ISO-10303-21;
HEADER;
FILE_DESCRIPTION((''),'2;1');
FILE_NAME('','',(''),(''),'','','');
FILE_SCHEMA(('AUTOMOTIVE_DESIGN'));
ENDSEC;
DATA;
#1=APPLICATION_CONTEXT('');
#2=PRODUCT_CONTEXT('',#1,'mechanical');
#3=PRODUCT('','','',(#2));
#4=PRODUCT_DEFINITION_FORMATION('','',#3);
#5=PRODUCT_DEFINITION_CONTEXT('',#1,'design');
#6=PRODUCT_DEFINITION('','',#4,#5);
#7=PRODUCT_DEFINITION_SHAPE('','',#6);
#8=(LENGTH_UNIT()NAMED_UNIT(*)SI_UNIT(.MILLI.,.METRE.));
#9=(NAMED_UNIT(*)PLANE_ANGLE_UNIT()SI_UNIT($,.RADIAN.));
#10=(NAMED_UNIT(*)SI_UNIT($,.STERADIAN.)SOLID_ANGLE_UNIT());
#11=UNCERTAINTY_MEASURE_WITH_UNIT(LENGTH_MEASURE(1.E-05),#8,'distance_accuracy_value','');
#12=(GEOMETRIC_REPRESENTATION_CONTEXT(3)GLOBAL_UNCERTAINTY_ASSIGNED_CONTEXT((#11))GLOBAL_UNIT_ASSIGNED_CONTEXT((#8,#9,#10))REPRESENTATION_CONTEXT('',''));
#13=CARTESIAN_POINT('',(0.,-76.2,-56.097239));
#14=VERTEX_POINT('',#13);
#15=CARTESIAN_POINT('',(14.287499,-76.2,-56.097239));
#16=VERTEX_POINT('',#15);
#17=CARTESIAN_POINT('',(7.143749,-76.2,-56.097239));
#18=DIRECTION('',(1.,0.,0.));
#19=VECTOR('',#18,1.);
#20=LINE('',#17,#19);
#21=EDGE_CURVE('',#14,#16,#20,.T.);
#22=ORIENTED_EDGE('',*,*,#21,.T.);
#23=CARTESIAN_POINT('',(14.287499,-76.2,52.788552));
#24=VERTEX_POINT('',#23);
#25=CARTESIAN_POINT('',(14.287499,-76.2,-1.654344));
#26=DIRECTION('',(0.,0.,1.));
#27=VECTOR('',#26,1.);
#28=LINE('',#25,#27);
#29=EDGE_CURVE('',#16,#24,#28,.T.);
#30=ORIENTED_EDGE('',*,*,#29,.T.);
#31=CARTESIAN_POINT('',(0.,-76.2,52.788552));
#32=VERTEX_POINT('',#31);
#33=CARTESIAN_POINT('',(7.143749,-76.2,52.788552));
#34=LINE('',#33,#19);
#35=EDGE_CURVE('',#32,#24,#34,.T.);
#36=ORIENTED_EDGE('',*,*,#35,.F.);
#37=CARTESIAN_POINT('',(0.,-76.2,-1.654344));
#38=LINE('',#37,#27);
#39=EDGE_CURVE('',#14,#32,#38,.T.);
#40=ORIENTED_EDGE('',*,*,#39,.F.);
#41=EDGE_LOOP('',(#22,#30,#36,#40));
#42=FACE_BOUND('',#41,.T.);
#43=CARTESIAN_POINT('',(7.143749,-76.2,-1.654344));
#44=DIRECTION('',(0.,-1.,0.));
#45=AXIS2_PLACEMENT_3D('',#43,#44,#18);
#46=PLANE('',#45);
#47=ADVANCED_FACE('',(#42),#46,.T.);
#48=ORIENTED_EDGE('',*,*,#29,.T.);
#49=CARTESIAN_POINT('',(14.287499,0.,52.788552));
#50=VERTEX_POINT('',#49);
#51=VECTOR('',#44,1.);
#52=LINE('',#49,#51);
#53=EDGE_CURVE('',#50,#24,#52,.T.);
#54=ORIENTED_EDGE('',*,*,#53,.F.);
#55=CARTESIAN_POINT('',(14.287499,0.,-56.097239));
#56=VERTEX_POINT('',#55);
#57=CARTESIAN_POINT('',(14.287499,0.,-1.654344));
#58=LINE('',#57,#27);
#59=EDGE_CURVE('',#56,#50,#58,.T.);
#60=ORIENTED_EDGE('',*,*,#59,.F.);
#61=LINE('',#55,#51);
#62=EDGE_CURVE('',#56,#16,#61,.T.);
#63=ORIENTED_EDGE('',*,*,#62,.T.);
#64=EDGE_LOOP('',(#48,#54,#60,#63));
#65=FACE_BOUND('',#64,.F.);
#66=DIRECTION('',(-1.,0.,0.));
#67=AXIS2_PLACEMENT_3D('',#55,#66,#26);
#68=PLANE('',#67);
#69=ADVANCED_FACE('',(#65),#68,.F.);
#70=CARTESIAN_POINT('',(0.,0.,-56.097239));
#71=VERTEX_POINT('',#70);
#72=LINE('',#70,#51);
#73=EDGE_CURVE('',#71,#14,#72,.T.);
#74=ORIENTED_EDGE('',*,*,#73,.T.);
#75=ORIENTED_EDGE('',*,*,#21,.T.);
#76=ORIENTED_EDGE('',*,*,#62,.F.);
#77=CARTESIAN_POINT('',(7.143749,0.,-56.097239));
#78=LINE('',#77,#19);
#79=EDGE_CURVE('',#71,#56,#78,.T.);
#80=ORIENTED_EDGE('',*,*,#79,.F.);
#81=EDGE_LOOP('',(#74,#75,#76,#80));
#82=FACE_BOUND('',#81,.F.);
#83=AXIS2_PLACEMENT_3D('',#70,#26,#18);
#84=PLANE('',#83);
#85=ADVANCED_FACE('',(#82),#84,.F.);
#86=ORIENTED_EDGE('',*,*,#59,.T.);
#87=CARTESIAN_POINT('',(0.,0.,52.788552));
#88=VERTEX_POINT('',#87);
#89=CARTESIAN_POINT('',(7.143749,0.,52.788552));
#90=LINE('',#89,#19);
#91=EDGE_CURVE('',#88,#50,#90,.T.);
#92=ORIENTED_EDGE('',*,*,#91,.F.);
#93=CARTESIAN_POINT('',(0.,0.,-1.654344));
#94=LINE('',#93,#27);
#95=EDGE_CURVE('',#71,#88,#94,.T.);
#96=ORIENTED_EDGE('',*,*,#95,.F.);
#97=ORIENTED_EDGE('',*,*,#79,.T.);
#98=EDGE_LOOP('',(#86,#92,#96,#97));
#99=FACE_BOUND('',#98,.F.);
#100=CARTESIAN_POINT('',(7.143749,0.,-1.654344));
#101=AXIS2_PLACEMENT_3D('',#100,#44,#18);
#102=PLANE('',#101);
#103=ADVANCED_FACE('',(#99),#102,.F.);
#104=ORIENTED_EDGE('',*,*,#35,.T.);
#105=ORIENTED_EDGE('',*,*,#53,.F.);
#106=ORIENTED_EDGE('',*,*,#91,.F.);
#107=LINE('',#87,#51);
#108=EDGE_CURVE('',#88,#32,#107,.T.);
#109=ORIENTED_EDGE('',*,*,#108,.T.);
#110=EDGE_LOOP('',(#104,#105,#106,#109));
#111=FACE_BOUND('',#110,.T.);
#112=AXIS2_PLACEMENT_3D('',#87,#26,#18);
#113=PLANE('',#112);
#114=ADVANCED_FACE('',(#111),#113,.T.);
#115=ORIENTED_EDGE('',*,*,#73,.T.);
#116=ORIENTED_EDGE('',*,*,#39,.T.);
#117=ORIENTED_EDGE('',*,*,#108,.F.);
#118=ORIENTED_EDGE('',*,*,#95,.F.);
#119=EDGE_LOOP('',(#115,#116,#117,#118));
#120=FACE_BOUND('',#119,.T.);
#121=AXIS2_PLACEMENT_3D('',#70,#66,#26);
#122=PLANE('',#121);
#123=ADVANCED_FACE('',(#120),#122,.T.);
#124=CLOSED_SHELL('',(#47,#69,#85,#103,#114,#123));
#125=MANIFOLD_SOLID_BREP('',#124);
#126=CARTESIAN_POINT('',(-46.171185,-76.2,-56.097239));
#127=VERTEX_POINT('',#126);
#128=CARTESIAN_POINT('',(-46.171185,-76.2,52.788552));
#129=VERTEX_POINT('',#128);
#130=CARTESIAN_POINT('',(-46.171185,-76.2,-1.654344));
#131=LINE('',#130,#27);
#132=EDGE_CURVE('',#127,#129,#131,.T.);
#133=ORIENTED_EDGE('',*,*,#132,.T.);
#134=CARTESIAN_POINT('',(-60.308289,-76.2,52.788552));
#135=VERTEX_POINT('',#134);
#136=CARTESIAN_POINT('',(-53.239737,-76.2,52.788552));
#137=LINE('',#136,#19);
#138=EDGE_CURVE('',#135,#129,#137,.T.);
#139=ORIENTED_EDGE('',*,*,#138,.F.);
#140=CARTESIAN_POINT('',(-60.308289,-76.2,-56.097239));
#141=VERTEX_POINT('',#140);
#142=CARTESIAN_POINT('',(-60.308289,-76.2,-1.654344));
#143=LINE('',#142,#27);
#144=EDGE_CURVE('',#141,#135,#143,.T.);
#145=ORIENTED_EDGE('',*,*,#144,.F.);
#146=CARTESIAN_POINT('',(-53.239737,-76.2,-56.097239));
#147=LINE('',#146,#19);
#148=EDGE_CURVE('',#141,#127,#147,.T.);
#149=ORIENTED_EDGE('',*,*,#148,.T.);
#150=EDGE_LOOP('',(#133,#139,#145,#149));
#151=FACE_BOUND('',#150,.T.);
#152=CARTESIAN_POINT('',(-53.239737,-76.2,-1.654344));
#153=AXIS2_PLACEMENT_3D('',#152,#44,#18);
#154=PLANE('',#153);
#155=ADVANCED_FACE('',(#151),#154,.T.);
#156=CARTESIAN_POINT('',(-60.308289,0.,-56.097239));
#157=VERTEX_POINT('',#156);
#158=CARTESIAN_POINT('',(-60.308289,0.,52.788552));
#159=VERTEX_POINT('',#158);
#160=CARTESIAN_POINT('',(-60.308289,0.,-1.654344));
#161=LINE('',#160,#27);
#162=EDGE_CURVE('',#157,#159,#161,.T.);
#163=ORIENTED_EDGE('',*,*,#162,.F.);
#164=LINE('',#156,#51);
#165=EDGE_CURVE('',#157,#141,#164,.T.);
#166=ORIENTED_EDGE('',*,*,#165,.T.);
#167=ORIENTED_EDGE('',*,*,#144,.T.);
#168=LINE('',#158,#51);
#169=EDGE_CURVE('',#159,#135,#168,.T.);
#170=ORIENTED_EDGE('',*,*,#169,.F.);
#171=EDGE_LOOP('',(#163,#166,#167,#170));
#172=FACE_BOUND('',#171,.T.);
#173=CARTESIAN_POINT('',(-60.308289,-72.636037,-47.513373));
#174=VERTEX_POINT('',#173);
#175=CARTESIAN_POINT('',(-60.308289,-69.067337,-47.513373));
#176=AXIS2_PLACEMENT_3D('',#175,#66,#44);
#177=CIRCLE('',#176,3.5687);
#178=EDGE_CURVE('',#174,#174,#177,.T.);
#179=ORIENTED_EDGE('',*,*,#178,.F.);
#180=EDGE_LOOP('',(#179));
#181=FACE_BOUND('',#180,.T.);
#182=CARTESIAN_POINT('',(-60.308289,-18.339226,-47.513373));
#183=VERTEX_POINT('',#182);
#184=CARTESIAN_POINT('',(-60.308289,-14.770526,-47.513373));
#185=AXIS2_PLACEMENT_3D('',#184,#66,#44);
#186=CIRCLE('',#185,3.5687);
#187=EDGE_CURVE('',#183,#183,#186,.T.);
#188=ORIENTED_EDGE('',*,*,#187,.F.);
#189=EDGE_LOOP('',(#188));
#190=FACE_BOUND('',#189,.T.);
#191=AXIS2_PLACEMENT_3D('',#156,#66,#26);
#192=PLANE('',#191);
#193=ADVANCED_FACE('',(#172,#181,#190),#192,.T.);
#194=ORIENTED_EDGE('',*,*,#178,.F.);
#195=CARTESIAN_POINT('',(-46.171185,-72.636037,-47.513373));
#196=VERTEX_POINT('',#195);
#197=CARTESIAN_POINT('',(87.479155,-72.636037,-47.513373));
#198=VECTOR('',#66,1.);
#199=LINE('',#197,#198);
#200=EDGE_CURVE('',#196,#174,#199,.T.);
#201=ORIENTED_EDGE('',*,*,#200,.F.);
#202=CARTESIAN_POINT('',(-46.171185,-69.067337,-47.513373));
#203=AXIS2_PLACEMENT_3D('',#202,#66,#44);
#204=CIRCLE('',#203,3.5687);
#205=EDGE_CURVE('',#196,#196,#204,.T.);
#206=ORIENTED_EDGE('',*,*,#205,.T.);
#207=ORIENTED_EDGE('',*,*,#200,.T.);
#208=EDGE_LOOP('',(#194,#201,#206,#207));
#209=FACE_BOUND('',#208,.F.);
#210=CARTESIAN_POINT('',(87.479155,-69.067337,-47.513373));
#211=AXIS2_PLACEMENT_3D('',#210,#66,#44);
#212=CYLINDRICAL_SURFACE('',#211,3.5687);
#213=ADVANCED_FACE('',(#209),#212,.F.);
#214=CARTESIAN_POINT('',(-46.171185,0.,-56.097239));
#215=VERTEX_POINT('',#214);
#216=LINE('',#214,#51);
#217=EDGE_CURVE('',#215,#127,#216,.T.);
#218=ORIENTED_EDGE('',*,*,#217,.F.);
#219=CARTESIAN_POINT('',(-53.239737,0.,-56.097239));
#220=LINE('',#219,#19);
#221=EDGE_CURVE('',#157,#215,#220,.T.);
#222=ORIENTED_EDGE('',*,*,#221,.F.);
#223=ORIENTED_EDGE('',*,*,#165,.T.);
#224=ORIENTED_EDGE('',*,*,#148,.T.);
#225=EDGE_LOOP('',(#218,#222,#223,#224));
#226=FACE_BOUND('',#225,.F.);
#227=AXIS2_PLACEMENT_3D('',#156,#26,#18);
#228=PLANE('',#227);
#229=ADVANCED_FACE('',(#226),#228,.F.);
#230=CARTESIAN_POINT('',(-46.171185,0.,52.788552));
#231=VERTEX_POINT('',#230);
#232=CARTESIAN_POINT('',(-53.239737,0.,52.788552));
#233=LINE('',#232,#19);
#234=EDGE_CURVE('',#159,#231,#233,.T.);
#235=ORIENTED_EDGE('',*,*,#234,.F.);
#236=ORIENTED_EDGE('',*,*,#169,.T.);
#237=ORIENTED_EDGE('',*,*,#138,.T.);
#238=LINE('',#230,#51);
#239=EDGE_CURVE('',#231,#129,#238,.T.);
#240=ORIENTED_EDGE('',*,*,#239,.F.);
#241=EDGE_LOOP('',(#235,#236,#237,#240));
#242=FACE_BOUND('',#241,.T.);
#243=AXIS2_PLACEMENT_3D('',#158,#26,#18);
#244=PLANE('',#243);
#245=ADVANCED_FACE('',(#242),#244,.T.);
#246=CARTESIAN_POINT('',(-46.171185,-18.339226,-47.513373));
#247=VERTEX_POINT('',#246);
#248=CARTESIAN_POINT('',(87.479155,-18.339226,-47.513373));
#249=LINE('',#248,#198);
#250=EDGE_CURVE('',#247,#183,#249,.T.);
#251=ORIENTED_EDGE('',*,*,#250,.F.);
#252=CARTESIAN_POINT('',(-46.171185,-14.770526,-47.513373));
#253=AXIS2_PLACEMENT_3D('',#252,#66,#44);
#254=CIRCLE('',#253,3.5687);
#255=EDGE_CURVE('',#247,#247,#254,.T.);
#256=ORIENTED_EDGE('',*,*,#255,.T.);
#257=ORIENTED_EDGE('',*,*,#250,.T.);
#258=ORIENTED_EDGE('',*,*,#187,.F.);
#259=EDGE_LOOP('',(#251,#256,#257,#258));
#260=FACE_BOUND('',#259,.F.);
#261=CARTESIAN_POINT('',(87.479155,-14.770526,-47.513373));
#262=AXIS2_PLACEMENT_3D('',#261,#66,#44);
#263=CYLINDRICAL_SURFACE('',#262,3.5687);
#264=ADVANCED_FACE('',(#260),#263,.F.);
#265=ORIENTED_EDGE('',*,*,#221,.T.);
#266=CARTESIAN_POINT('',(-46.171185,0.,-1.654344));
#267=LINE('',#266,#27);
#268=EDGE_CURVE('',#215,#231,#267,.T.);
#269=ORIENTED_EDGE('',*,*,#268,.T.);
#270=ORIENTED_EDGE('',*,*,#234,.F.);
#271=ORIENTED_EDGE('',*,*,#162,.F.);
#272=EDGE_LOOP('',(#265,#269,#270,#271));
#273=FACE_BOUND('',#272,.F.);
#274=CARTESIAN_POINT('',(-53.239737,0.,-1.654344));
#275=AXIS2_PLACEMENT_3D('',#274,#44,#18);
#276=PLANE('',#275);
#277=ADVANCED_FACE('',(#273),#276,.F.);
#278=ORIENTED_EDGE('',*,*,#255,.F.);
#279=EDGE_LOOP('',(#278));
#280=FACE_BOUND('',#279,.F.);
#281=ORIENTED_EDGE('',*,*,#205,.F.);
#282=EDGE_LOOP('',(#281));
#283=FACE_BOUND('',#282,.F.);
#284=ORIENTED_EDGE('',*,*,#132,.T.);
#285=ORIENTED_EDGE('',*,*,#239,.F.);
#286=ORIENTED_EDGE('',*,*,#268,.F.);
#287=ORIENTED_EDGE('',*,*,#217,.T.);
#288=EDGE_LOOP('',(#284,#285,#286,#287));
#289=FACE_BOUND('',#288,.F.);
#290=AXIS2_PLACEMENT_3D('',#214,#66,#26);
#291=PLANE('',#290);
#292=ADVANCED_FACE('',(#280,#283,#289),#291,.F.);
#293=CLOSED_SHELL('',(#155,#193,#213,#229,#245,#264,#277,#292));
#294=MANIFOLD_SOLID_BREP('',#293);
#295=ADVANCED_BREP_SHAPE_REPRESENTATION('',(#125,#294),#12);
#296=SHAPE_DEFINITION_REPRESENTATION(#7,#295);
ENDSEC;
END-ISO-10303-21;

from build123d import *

# Parameters (mm, degrees)
F0_W     = 14.1371041536
F0_H     = 108.8857911527
F1_DEPTH = 76.2
F0_W_2   = 14.2874987796
F3_D     = 7.1374


with BuildPart() as f1:
    # F0 (on Front) → F1 (new body)
    with BuildSketch(Plane.XZ):
        with Locations((-53.239736706, -1.6543436795)):
            Rectangle(F0_W, F0_H)
    extrude(amount=F1_DEPTH)

    # F3 (through all)
    with Locations(Plane.YZ.offset(-46.1711846292)):
        with Locations((-69.0673366189, -47.5133731961), (-14.770526439, -47.5133731961)):
            Hole(F3_D / 2)


with BuildPart() as f1b:
    # F0 (on Front) → F1, piece 2 (new body)
    with BuildSketch(Plane.XZ):
        with Locations((7.1437493898, -1.6543436795)):
            Rectangle(F0_W_2, F0_H)
    extrude(amount=F1_DEPTH)


solid = Compound([f1.part, f1b.part])
